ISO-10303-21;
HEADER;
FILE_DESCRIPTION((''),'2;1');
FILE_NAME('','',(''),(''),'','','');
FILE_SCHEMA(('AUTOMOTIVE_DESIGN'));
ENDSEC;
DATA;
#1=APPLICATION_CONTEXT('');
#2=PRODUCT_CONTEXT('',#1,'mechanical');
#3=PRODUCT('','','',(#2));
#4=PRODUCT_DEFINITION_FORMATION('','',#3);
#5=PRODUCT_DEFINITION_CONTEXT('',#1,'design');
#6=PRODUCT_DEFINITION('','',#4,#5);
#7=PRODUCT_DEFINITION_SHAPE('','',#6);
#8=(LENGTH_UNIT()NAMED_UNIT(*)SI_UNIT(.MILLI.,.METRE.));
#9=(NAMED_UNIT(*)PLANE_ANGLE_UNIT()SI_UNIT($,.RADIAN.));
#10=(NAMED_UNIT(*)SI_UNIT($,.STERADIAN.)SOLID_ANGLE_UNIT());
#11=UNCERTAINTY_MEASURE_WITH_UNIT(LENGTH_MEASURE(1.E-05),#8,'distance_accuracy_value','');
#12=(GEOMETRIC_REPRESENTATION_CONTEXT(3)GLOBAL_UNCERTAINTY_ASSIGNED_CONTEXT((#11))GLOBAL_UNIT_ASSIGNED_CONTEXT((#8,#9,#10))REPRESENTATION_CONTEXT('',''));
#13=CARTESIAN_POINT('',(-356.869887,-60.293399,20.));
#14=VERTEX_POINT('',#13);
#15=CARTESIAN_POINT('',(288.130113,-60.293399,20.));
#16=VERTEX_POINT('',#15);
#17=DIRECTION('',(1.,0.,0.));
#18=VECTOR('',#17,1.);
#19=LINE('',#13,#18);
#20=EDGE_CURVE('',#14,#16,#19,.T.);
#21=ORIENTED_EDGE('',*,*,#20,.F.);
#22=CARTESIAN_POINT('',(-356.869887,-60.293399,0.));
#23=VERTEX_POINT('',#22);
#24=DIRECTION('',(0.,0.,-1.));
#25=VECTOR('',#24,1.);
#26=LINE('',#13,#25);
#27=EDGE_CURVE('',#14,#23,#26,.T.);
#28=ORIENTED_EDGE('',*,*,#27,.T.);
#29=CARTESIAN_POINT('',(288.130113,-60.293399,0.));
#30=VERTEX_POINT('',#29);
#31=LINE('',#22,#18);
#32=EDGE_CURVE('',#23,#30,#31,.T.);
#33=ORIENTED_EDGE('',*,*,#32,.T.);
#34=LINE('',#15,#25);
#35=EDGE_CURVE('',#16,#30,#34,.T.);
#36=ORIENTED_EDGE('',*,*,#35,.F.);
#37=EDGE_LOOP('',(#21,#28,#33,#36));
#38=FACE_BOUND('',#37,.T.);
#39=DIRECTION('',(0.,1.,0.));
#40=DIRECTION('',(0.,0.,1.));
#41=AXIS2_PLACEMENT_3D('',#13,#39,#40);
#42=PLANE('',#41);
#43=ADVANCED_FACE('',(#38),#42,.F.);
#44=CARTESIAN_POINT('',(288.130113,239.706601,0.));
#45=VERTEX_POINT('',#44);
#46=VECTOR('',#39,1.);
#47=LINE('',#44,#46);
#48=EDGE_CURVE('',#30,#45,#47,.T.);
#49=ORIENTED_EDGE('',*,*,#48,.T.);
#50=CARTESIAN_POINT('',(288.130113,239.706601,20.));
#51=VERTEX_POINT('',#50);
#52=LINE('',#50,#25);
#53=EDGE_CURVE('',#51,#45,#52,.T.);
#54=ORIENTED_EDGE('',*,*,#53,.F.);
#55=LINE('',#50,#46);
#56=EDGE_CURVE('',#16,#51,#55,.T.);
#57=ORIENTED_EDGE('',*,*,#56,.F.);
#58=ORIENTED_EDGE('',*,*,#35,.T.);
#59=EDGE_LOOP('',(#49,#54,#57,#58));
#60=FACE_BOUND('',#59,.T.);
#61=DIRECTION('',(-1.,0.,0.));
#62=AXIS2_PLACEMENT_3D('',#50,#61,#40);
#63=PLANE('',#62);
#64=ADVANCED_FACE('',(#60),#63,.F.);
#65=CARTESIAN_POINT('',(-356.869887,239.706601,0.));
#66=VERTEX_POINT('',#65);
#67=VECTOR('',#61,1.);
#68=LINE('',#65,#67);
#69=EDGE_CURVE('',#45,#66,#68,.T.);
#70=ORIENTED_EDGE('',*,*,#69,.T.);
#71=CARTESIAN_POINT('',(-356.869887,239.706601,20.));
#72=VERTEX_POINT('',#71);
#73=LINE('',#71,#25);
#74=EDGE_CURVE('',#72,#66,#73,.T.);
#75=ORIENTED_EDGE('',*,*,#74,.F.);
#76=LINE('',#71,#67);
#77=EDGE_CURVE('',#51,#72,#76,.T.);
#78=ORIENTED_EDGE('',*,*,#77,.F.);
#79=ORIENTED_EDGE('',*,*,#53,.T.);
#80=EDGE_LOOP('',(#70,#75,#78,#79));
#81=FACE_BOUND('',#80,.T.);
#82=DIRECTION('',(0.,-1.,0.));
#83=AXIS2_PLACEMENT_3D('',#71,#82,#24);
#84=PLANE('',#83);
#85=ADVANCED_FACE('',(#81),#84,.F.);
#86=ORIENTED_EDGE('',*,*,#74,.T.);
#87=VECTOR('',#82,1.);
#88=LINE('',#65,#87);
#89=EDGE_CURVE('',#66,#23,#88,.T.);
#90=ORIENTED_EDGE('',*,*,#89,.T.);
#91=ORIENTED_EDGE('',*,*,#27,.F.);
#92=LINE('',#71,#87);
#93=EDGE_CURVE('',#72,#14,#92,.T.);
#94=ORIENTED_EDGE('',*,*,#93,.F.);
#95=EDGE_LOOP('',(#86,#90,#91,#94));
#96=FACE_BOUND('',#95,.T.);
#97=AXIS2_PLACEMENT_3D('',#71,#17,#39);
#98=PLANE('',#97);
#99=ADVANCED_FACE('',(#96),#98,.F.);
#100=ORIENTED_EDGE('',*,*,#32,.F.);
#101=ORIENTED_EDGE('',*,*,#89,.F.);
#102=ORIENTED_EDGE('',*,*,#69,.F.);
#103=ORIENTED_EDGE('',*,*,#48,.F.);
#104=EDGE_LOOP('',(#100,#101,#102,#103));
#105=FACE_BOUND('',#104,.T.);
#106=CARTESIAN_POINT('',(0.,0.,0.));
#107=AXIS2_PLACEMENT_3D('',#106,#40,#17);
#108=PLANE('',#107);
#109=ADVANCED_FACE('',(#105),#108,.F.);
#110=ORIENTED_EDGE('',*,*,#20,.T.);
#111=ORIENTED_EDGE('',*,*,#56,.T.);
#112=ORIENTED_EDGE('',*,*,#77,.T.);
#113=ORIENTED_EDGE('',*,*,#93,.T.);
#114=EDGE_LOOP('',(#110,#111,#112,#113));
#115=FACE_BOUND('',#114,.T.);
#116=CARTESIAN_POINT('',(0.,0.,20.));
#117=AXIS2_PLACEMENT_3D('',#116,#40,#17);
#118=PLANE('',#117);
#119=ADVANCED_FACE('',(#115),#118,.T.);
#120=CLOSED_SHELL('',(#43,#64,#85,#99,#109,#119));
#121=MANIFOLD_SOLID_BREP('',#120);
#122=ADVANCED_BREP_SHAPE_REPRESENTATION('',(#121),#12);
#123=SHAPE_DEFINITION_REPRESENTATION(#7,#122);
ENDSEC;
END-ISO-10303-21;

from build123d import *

# Parameters (mm, degrees)
CROQUIS1_W              = 645
CROQUIS1_H              = 300
SALIENTE_EXTRUIR1_DEPTH = 20


with BuildPart() as part:
    # Croquis1 → Saliente-Extruir1 (new body)
    with BuildSketch(Plane.XY):
        with Locations((-34.36988741, 89.706601467)):
            Rectangle(CROQUIS1_W, CROQUIS1_H)
    extrude(amount=SALIENTE_EXTRUIR1_DEPTH)


solid = part.part
